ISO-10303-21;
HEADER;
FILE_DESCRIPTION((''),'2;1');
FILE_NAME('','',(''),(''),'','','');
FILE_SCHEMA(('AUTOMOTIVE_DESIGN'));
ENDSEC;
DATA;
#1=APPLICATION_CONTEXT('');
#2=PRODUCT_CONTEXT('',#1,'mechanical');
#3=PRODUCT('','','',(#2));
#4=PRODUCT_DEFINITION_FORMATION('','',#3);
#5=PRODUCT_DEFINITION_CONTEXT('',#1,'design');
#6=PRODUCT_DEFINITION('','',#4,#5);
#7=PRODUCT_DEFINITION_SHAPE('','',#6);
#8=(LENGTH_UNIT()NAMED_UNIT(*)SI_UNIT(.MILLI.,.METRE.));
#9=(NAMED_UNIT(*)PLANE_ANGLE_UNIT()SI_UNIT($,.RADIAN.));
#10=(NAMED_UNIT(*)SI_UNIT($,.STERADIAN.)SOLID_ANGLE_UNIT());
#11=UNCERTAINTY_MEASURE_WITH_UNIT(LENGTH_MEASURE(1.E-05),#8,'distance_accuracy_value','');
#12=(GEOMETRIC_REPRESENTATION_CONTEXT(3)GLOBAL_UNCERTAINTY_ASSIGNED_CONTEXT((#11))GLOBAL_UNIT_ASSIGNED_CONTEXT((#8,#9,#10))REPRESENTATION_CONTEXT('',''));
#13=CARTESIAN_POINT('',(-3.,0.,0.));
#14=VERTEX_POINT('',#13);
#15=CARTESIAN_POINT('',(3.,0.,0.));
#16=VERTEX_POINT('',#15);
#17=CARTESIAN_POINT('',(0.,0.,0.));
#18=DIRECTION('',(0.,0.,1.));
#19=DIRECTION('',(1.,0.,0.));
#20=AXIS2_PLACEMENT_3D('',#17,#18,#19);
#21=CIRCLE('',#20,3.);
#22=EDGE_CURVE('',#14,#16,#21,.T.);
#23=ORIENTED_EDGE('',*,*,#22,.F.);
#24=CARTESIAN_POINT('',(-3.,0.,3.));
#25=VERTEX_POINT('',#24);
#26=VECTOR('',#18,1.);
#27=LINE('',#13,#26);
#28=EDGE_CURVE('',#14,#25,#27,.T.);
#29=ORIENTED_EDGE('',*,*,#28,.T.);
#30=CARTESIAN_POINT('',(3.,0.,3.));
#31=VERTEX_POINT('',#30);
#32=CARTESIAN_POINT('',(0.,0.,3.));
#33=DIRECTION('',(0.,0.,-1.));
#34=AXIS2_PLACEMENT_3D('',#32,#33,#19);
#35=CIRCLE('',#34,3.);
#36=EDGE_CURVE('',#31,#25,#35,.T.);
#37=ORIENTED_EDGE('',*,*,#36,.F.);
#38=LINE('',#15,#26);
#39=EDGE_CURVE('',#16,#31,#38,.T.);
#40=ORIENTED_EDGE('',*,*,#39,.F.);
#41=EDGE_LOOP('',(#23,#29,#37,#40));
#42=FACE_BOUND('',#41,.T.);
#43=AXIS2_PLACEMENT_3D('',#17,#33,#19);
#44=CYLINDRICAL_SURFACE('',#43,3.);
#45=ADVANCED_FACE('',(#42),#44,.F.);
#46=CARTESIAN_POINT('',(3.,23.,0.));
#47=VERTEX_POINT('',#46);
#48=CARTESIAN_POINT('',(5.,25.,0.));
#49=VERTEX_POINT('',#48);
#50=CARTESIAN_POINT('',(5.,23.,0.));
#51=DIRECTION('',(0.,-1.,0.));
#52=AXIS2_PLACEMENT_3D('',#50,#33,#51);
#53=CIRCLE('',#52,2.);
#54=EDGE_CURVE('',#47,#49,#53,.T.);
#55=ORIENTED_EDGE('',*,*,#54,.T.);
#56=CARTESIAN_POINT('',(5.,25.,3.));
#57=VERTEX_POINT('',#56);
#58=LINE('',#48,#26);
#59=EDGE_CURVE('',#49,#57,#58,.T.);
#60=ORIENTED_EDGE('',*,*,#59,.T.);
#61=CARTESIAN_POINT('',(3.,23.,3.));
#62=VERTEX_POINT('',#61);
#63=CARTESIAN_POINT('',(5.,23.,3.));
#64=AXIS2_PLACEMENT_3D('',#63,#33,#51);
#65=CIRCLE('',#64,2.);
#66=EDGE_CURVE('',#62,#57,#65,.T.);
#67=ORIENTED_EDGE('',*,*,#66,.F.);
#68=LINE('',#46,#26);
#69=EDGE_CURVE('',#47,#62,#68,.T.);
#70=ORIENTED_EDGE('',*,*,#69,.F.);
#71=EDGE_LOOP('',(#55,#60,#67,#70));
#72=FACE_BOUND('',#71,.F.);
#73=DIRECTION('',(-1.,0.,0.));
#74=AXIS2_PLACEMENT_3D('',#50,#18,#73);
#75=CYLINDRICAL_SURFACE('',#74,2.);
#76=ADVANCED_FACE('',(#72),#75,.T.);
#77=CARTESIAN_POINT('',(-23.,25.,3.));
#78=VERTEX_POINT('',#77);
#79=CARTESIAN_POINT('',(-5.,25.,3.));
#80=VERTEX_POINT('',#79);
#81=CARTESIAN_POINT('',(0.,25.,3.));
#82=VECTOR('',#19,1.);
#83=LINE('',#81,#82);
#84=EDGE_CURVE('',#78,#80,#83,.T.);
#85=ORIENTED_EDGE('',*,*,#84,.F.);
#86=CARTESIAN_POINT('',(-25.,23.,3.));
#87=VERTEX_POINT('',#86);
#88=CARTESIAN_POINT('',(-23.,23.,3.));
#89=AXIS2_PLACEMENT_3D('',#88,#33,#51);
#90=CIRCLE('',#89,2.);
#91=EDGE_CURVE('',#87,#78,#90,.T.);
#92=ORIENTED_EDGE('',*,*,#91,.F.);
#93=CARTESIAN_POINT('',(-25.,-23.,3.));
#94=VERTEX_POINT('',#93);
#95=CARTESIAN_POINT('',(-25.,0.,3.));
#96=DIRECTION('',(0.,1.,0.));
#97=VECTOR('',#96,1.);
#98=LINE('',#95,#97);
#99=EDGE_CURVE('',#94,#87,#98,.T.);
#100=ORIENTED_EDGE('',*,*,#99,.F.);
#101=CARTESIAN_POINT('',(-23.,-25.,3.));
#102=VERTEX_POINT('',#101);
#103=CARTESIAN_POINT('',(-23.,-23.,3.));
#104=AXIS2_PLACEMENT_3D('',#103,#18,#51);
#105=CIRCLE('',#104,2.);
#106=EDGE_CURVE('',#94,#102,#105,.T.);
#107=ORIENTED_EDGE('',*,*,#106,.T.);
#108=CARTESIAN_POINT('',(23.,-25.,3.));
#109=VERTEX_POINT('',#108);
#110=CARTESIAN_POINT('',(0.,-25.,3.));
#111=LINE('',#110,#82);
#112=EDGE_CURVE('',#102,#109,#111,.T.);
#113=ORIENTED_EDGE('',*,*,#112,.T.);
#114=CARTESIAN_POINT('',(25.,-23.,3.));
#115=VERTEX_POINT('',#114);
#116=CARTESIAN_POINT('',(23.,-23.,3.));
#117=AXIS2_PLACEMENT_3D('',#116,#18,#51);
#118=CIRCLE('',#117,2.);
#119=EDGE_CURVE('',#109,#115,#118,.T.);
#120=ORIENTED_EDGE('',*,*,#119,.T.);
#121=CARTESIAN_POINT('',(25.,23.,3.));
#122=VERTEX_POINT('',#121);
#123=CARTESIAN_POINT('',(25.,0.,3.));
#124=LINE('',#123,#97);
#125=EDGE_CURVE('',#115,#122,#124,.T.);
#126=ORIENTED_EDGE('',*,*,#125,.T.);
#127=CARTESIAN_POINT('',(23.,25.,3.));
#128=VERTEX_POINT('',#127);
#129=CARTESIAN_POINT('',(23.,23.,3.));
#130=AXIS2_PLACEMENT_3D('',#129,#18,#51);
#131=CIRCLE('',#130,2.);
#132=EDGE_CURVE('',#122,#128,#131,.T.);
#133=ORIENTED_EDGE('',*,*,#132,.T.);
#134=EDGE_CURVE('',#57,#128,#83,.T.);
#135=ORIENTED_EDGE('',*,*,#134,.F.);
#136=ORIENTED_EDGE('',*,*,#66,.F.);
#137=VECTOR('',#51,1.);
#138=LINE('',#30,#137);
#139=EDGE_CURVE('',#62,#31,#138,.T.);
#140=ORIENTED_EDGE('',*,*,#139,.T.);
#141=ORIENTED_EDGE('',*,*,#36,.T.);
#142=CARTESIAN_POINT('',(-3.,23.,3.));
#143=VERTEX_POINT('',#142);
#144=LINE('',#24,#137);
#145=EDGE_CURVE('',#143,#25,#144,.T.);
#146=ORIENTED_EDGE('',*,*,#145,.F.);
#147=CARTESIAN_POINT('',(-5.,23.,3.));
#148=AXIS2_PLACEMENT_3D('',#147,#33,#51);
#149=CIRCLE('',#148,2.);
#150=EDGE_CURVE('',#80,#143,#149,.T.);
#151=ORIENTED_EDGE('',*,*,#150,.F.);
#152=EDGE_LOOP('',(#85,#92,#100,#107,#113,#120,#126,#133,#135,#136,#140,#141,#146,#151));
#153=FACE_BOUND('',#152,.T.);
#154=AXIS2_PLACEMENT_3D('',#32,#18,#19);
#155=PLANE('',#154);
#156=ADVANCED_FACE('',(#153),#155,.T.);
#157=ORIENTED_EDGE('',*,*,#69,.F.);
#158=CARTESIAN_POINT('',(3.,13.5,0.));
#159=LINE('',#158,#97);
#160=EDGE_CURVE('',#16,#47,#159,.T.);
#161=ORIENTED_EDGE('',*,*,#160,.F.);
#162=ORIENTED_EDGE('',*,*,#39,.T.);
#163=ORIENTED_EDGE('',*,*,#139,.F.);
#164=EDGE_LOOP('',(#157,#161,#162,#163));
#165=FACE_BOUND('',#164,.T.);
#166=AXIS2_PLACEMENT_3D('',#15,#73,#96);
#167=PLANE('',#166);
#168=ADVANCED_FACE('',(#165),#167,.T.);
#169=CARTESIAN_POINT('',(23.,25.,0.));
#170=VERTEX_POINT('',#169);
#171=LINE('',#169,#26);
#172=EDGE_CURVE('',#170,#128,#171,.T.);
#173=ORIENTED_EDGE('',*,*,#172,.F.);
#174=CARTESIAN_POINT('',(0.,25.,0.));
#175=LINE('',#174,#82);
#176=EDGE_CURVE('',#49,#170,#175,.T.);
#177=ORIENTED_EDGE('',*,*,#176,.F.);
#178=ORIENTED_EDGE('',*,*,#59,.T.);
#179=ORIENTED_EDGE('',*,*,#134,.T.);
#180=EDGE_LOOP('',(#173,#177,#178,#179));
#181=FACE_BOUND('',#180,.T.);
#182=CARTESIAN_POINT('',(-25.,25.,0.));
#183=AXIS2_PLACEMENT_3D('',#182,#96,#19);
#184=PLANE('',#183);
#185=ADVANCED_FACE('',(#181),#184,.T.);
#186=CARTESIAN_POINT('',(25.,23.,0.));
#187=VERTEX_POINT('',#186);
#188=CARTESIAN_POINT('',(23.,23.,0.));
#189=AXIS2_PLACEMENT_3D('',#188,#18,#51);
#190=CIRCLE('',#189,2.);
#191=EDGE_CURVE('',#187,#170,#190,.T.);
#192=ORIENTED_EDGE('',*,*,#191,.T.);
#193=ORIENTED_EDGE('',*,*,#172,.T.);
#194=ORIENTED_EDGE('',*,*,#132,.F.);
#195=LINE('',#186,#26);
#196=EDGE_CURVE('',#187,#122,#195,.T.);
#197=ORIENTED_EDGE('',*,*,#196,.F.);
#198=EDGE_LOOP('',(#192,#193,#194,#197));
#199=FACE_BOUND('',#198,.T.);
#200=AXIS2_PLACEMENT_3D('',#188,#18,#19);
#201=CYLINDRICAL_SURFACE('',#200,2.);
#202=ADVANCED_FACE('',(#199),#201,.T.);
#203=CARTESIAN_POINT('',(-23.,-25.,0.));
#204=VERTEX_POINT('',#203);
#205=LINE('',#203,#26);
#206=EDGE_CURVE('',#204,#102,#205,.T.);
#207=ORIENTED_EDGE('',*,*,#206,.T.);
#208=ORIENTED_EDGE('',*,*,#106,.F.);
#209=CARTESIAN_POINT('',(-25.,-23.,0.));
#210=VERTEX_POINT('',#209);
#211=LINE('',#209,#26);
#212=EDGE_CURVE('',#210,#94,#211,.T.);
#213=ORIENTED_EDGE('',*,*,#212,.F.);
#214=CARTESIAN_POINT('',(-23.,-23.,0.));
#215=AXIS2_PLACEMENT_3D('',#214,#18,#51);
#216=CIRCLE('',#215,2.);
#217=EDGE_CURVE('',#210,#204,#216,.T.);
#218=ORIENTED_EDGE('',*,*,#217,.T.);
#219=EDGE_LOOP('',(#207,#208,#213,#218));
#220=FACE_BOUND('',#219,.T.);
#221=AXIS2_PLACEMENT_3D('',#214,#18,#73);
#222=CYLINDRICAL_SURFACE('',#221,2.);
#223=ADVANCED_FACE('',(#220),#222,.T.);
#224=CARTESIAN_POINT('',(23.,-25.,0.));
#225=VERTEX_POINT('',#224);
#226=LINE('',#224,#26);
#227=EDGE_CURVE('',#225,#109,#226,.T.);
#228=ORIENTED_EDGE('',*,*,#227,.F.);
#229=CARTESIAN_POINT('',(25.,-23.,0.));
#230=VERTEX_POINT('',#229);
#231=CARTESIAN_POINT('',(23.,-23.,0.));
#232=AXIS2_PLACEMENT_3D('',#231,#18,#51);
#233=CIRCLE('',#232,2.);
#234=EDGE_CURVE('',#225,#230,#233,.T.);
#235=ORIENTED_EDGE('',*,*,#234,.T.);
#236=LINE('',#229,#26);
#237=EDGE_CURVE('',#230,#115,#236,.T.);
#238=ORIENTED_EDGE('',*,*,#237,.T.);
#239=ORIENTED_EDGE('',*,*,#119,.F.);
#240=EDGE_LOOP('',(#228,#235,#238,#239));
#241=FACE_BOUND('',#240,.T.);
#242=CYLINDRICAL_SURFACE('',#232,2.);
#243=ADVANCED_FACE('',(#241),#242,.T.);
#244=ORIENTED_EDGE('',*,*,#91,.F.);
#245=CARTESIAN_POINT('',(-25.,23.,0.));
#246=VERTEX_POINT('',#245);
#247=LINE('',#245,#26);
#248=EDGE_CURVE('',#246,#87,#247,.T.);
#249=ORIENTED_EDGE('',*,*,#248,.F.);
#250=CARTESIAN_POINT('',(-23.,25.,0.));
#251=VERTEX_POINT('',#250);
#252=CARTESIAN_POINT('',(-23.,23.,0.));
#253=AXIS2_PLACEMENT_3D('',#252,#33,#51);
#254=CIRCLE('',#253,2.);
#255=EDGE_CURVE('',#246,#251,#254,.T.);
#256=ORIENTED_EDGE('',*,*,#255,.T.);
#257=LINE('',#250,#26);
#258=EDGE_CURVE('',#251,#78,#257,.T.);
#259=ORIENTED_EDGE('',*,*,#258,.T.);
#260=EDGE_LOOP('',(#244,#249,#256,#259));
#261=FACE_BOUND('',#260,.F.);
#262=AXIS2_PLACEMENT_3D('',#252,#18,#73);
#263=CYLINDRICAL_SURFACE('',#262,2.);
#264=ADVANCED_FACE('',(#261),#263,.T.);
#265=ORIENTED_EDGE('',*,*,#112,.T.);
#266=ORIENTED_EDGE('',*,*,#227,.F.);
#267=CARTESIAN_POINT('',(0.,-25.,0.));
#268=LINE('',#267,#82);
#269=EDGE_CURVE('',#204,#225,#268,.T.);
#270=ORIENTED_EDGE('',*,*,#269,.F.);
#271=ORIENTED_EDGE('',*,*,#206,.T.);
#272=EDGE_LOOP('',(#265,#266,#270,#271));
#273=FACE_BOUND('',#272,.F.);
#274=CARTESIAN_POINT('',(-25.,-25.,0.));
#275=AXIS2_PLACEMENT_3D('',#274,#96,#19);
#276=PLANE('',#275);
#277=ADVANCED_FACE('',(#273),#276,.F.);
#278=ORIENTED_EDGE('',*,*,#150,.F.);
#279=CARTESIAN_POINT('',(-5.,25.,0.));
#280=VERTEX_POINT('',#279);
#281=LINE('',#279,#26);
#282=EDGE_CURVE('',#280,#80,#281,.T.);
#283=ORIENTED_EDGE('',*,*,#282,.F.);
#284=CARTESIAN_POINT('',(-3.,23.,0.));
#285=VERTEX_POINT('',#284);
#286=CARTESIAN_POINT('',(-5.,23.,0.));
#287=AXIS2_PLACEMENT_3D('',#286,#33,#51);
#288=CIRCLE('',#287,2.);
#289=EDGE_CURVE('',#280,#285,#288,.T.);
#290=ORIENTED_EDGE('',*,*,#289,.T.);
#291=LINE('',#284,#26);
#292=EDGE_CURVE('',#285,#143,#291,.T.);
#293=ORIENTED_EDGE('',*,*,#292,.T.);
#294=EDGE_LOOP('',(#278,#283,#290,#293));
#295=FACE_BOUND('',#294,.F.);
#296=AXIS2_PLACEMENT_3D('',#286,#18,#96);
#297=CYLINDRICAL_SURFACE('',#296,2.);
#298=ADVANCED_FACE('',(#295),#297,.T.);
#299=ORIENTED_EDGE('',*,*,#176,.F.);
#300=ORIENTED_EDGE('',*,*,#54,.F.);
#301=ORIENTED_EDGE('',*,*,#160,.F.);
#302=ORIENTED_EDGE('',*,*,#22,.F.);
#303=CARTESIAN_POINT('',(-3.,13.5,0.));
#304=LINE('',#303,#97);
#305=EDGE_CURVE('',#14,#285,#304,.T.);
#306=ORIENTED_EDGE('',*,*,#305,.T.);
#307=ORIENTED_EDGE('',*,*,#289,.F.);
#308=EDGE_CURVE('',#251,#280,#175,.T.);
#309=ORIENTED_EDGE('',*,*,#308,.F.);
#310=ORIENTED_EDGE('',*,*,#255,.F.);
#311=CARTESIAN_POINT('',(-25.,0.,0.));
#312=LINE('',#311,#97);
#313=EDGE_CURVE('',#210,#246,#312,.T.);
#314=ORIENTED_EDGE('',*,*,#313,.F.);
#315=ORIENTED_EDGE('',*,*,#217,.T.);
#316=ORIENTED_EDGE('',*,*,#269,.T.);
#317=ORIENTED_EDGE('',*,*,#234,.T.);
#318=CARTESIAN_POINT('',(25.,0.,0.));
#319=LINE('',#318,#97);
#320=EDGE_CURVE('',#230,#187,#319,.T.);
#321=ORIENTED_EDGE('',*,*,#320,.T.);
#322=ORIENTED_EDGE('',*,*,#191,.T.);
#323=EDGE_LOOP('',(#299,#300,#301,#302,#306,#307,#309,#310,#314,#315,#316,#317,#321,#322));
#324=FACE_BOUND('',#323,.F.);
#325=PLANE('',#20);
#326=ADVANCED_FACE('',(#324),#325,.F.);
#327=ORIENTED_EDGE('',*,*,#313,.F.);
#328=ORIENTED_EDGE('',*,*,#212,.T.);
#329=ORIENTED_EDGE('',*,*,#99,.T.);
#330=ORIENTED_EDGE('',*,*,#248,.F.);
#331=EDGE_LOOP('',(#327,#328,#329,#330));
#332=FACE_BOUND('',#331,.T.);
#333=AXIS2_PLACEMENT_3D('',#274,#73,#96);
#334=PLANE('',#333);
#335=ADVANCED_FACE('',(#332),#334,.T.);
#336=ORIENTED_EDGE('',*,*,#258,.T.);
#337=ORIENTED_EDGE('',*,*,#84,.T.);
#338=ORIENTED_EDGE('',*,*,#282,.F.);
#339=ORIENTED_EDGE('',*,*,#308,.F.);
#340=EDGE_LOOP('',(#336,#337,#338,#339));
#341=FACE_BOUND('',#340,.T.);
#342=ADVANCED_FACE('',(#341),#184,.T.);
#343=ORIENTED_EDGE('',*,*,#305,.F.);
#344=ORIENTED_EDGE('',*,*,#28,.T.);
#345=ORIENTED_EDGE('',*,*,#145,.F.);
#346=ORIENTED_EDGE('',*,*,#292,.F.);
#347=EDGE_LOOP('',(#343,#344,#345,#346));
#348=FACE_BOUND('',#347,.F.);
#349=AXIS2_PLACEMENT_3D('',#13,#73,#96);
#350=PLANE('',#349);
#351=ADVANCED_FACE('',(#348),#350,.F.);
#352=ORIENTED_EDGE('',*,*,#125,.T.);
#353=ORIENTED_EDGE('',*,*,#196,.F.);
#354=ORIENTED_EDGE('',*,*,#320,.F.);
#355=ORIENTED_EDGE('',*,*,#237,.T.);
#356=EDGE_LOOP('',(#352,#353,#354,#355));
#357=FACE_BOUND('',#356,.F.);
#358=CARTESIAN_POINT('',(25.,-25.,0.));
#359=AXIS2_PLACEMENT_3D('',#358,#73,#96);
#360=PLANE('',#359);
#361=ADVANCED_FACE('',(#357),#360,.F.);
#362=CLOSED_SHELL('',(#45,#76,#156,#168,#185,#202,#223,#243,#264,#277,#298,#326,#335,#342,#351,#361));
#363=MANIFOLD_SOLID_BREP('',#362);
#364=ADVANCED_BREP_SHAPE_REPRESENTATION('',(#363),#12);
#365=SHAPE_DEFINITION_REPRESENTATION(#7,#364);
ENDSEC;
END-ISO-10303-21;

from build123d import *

# Parameters (mm, degrees)
CYLINDER_R     = 3
CYLINDER_DEPTH = 10
BOX001_W       = 6
BOX001_H       = 27
BOX001_DEPTH   = 10
BOX_W          = 50
BOX_H          = 50
BOX_DEPTH      = 3
FILLET_R       = 2


with BuildPart() as cylinder:
    # Cylinder → Cylinder (new body)
    with BuildSketch(Plane.XY):
        Circle(CYLINDER_R)
    extrude(amount=CYLINDER_DEPTH)


with BuildPart() as fusion:
    # Box001 → Box001 (new body)
    with BuildSketch(Plane(origin=(-3, 0, 0), x_dir=(1, 0, 0), z_dir=(0, 0, 1))):
        with Locations((3, 13.5)):
            Rectangle(BOX001_W, BOX001_H)
    extrude(amount=BOX001_DEPTH)

    # Fusion: union Cylinder
    add(cylinder.part)


with BuildPart() as fillet_body:
    # Box → Box (new body)
    with BuildSketch(Plane(origin=(-25, -25, 0), x_dir=(1, 0, 0), z_dir=(0, 0, 1))):
        with Locations((25, 25)):
            Rectangle(BOX_W, BOX_H)
    extrude(amount=BOX_DEPTH)

    # Cut: cut Fusion
    add(fusion.part, mode=Mode.SUBTRACT)

    # Fillet
    fillet_edges = [fillet_body.edges().sort_by_distance(p)[0] for p in [
        (-25, -25, 1.5),
        (-25, 25, 1.5),
        (25, -25, 1.5),
        (-3, 25, 1.5),
        (25, 25, 1.5),
        (3, 25, 1.5),
    ]]
    fillet(fillet_edges, radius=FILLET_R)


solid = fillet_body.part
